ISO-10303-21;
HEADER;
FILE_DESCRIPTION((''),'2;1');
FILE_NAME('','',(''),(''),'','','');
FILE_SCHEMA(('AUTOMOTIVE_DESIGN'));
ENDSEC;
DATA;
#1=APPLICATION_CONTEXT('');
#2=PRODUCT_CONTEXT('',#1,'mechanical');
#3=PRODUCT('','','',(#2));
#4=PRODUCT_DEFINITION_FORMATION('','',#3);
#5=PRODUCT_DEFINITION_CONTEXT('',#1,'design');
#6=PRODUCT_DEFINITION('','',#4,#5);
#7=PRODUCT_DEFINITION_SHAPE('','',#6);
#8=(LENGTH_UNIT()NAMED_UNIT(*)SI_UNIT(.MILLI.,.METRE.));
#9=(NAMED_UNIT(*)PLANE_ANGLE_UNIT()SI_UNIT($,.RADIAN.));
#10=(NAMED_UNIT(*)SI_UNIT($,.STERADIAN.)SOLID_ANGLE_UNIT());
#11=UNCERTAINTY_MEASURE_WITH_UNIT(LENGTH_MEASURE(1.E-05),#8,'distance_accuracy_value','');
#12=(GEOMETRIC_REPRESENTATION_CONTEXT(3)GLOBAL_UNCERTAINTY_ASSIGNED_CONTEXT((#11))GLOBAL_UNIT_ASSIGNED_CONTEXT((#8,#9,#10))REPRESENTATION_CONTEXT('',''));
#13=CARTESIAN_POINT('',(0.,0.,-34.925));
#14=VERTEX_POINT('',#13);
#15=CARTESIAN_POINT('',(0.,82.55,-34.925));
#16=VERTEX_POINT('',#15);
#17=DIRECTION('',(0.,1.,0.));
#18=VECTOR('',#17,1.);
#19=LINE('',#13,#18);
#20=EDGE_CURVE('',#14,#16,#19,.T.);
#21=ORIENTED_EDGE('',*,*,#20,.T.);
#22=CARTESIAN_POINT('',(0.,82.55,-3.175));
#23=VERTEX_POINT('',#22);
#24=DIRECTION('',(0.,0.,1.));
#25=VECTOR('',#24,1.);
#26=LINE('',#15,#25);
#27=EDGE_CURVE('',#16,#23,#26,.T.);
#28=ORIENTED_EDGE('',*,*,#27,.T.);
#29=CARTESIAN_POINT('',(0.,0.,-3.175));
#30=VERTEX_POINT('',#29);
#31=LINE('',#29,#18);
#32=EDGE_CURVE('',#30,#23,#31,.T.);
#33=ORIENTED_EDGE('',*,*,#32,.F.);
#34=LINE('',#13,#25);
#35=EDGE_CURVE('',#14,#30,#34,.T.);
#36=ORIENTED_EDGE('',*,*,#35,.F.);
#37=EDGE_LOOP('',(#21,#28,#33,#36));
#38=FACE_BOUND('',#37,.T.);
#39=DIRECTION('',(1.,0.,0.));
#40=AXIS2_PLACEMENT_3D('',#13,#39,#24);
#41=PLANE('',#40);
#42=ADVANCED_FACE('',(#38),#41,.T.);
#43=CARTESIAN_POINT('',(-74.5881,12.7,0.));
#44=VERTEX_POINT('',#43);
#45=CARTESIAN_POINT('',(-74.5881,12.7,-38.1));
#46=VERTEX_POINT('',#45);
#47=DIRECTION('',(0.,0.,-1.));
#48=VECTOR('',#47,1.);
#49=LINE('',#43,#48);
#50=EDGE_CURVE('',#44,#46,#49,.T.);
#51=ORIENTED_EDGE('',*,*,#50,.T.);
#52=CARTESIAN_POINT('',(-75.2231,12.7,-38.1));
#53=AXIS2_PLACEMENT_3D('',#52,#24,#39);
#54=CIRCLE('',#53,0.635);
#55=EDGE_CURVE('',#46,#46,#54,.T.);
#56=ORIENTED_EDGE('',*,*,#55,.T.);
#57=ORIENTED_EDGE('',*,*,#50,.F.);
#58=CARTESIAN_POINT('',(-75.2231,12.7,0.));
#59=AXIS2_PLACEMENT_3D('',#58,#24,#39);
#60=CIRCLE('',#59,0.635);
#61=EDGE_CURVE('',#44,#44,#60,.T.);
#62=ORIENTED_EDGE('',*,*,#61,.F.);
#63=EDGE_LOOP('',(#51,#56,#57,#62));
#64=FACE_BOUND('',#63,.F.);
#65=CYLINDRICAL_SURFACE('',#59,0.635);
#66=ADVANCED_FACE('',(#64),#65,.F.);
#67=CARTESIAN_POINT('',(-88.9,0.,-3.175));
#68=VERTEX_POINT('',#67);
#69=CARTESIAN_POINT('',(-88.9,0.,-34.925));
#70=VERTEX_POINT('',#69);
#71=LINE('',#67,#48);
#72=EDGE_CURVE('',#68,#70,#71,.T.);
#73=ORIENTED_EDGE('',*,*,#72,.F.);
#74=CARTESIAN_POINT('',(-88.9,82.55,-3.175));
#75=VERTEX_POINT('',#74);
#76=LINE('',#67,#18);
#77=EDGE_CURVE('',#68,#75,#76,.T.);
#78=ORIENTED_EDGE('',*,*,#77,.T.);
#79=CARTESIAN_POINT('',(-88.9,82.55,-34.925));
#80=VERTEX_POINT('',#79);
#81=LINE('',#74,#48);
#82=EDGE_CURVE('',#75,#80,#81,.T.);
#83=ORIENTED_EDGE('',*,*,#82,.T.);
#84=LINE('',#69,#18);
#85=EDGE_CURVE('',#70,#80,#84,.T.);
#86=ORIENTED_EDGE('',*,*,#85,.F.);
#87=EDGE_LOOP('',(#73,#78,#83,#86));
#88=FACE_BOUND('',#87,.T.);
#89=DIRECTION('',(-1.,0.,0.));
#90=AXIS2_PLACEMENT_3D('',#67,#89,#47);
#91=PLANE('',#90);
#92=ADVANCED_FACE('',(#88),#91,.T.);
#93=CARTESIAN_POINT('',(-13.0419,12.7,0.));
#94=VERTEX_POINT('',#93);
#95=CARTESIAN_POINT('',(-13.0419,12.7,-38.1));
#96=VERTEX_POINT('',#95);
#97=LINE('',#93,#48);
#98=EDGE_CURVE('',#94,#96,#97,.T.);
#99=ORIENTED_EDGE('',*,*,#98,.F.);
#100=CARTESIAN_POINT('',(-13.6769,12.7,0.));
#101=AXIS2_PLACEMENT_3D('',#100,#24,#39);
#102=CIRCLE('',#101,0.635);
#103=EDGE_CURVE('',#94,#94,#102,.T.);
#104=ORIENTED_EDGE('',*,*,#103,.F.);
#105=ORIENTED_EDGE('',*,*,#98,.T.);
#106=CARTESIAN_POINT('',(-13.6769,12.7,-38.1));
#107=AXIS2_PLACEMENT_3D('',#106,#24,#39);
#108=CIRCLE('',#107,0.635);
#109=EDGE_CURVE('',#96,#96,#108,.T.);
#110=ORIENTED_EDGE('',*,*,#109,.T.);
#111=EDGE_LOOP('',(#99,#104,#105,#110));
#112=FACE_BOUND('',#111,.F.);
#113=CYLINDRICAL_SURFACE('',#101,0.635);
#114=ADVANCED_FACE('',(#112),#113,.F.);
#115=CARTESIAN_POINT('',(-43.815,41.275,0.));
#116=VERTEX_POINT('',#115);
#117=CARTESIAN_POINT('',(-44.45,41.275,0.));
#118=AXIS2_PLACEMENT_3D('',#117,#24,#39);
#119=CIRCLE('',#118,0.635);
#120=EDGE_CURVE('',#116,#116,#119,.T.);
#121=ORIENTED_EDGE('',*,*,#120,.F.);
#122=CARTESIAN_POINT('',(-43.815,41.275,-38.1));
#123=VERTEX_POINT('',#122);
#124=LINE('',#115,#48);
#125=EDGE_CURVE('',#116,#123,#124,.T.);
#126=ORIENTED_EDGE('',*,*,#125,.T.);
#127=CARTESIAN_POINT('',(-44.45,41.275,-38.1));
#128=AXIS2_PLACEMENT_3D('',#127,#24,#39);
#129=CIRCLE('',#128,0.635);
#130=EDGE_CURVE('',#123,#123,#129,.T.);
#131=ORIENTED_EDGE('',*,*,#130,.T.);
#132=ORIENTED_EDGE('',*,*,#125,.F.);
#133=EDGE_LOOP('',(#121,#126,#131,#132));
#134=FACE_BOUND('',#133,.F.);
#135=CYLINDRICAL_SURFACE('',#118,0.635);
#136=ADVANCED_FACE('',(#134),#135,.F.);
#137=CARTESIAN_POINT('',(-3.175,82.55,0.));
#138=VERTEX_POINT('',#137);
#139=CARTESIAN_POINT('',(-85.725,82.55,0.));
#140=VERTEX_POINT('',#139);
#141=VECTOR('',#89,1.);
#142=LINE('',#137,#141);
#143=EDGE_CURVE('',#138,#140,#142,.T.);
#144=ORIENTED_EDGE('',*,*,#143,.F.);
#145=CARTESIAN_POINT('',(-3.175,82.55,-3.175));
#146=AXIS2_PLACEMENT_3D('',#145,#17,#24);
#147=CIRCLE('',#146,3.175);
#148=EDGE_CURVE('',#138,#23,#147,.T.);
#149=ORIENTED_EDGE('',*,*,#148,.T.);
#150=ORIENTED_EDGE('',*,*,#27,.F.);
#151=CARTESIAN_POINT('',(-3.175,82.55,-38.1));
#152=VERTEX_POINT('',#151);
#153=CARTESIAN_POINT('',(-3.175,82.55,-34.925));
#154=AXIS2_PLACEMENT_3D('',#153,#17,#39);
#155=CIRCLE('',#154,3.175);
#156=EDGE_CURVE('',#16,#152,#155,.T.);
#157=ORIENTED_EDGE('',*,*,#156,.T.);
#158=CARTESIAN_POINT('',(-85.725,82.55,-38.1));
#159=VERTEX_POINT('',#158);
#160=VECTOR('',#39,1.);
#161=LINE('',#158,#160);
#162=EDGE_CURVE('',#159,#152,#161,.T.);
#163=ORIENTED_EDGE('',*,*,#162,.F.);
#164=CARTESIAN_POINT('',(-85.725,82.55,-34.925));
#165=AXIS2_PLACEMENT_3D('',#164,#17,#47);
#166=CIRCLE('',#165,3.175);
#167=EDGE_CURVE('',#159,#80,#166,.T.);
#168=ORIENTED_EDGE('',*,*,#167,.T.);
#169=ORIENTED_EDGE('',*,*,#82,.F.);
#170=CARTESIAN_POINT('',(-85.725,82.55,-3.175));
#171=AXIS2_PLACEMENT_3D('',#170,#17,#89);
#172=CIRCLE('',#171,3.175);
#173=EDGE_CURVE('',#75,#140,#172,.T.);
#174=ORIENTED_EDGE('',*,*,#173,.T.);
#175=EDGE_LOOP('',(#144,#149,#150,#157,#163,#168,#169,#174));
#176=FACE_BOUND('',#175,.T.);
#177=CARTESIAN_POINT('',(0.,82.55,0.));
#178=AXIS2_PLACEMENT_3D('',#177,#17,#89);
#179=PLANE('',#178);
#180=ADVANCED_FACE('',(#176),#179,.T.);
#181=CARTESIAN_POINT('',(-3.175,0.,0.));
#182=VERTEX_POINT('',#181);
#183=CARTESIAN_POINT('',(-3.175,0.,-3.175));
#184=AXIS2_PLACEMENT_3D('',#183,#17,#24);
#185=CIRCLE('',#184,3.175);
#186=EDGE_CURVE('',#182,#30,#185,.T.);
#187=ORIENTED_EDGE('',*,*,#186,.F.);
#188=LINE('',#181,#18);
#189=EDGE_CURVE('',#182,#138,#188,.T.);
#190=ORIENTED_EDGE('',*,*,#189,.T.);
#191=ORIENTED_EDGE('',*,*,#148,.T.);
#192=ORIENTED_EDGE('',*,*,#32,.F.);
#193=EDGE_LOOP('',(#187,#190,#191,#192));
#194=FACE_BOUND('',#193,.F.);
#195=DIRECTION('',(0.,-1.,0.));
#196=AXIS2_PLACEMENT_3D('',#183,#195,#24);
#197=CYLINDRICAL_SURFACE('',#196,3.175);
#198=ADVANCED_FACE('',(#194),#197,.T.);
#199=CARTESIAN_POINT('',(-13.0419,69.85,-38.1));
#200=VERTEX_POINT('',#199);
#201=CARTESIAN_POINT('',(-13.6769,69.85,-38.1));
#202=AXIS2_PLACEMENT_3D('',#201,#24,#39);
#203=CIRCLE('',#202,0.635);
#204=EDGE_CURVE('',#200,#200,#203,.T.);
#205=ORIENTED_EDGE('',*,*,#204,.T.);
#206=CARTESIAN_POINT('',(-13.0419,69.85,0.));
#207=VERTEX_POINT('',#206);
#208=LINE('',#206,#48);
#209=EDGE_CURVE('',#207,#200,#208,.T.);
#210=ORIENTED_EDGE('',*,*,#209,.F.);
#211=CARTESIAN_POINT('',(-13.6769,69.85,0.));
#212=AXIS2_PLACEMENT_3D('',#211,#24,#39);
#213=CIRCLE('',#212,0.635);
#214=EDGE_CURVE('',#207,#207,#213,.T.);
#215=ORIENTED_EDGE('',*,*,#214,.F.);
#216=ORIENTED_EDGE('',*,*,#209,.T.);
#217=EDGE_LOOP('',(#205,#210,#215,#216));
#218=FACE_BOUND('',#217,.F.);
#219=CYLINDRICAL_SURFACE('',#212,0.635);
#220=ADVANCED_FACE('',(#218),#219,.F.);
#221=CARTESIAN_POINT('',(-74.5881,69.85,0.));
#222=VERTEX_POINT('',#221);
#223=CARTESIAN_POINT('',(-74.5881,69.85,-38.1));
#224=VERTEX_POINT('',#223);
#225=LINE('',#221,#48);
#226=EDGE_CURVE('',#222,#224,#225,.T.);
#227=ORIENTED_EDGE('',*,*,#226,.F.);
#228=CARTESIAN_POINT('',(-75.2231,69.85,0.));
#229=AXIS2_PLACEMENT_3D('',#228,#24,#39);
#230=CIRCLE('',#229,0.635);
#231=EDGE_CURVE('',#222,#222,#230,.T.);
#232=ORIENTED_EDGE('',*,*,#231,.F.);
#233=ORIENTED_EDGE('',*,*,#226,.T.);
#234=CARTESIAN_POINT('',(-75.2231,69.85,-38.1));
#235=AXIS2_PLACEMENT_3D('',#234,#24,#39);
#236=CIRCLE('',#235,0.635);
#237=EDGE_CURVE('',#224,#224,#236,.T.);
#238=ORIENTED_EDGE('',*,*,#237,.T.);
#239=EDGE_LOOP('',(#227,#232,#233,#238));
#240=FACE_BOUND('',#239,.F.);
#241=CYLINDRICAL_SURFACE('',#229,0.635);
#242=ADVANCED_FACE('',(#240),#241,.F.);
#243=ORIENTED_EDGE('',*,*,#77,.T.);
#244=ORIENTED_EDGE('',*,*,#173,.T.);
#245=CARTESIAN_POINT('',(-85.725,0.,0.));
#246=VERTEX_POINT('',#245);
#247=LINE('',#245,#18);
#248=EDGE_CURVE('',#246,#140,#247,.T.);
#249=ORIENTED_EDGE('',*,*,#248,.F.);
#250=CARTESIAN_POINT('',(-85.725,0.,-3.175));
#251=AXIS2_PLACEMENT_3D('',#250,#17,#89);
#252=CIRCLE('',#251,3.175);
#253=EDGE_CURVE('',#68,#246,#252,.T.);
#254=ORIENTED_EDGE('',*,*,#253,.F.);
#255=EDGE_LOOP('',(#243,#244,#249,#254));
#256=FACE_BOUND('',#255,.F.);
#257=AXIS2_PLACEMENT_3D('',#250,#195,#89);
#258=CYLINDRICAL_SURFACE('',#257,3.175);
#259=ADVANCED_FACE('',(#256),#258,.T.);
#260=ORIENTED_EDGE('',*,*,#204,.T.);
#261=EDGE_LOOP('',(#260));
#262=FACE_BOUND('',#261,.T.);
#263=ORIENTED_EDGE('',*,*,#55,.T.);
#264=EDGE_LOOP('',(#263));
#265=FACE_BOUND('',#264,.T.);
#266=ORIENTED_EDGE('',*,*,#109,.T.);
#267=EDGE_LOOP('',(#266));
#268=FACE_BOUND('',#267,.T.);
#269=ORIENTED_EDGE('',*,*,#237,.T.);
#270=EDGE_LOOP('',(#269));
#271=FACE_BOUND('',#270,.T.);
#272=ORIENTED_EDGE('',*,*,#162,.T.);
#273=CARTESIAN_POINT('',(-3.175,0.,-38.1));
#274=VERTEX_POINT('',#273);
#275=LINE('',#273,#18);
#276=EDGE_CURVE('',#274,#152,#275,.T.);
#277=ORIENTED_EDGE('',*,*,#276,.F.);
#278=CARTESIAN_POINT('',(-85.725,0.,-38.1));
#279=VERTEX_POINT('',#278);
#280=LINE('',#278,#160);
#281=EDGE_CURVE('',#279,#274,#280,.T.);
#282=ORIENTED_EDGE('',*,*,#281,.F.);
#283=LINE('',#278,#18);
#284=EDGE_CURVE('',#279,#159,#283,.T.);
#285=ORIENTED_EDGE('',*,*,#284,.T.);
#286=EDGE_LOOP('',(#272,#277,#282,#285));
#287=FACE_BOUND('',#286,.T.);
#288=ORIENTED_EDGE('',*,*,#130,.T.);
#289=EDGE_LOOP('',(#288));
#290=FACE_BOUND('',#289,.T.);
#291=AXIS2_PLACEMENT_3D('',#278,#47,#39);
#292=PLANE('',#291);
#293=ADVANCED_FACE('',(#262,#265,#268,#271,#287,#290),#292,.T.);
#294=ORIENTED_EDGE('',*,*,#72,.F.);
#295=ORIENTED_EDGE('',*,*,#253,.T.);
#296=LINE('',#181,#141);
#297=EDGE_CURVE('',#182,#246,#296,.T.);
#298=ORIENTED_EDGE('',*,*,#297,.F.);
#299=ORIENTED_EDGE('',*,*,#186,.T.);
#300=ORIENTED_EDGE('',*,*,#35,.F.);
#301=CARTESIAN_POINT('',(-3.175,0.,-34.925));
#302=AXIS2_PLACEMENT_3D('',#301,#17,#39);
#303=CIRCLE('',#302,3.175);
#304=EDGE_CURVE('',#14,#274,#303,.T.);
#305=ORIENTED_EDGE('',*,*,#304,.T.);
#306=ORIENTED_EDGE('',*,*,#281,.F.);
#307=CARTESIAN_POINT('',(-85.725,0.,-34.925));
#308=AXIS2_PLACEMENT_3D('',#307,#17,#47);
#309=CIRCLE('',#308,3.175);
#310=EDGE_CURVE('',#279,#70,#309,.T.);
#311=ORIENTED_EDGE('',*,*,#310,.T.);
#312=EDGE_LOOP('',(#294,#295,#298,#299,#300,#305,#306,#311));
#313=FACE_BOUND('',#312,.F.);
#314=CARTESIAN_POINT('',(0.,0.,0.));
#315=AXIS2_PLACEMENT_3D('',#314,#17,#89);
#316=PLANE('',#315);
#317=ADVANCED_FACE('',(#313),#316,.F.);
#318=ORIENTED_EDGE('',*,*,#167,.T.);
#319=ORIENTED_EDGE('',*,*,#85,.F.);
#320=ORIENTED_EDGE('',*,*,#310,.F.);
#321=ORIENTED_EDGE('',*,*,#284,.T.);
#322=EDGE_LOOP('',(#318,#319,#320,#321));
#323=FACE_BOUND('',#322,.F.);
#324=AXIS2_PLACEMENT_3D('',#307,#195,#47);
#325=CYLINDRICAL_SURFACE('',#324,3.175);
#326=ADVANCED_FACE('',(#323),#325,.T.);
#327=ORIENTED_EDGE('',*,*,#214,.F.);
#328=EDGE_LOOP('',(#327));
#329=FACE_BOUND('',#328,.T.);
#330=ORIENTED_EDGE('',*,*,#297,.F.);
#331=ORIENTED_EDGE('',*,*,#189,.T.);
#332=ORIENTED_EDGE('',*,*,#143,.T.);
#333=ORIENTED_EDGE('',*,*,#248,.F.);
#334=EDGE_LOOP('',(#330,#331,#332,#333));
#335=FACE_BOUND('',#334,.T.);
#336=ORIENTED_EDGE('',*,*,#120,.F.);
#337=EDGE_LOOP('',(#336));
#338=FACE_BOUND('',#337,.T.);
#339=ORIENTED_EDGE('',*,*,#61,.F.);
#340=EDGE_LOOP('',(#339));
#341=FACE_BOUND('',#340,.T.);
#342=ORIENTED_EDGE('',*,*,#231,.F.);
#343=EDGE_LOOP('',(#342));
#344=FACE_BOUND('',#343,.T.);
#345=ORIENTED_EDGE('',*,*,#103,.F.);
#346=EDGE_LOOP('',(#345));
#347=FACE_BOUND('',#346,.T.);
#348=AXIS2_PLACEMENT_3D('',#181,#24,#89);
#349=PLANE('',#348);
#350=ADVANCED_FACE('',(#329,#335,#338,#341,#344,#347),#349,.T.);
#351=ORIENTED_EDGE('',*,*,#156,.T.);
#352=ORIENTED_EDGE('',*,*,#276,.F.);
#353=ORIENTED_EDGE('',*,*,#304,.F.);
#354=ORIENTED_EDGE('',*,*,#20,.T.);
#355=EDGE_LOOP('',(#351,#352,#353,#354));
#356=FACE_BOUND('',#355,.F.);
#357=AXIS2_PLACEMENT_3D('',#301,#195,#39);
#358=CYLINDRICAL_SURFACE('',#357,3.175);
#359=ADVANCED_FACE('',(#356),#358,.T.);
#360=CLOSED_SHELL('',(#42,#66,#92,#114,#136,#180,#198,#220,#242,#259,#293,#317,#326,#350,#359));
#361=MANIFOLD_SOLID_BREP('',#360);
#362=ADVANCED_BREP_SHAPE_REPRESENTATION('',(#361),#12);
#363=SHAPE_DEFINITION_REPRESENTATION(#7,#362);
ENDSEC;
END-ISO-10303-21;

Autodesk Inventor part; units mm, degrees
ref_plane "YZ Plane" through (0, 0, 0) normal (1, 0, 0) x (0, 1, 0)
ref_plane "XZ Plane" through (0, 0, 0) normal (0, 1, 0) x (-1, 0, 0)
ref_plane "XY Plane" through (0, 0, 0) normal (0, 0, 1) x (1, 0, 0)
sketch "Sketch1" plane through (0, 0, 0) normal (0, 1, 0) x (-1, 0, 0)
  line L0 (3.175, 0) -> (85.725, 0)
  line L1 (88.9, -3.175) -> (88.9, -34.925)
  line L2 (85.725, -38.1) -> (3.175, -38.1)
  line L3 (0, -34.925) -> (0, -3.175)
  arc A0 (88.9, -3.175) -> (85.725, 0) centre (85.725, -3.175) ccw
  arc A1 (85.725, -38.1) -> (88.9, -34.925) centre (85.725, -34.925) ccw
  arc A2 (0, -34.925) -> (3.175, -38.1) centre (3.175, -34.925) ccw
  arc A3 (3.175, 0) -> (0, -3.175) centre (3.175, -3.175) ccw
  point P0 (0, 0)
  point P1 (88.9, -38.1)
  point P2 (88.9, 0)
  point P3 (0, -38.1)
  dimension "d0" = 88.9
  dimension "d1" = 38.1
  dimension "d2" = 3.175
extrude "Extrusion1" add sketch "Sketch1" along normal blind 82.55
sketch "Sketch2" plane through (-3.175, 0, -38.1) normal (0, 0, -1) x (-1, 0, 0)
  line L0 (0, 0) -> (82.55, 0) construction
  line L1 (82.55, 0) -> (82.55, 82.55) construction
  line L2 (0, 82.55) -> (82.55, 82.55) construction
  line L3 (0, 0) -> (0, 82.55) construction
  line L4 (60.325, 82.55) -> (60.325, 61.9125) construction
  line L5 (60.325, 61.9125) -> (60.325, 41.275) construction
  line L6 (60.325, 41.275) -> (60.325, 20.6375) construction
  line L7 (60.325, 20.6375) -> (60.325, 0) construction
  circle A0 centre (60.325, 88.1126) radius 1.5875
  circle A1 centre (60.325, 35.7124) radius 1.5875
  circle A2 centre (60.325, 67.4751) radius 1.5875
  circle A3 centre (60.325, 15.0749) radius 1.5875
  circle A4 centre (60.325, 46.8376) radius 1.5875
  circle A5 centre (60.325, -5.5626) radius 1.5875
  line L8 (85.725, 0) -> (85.725, 82.55) projected
  line L9 (60.325, 61.9125) -> (22.225, 61.9125) construction
  circle A6 centre (22.225, 61.9125) radius 1.5875
  line L10 (60.325, 41.275) -> (22.225, 41.275) construction
  circle A7 centre (22.225, 41.275) radius 1.5875
  line L11 (60.325, 20.6375) -> (22.225, 20.6375) construction
  circle A8 centre (22.225, 20.6375) radius 1.5875
  point P0 (-3.175, 0)
  point P1 (85.725, 41.275)
  dimension "d5" = 3.175
  dimension "d6" = 26.2001
  dimension "d7" = 26.2001
  dimension "d8" = 3.175
  dimension "d9" = 26.2001
  dimension "d10" = 26.2001
  dimension "d11" = 3.175
  dimension "d12" = 26.2001
  dimension "d13" = 26.2001
  dimension "d16" = 25.4
  dimension "d17" = 38.1
  dimension "d18" = 38.1
  dimension "d19" = 38.1
extrude "Extrusion2" [suppressed]
sketch "Sketch3" plane through (-85.725, 0, 0) normal (0, 0, 1) x (1, 0, 0)
  line L0 (0, 0) -> (-3.175, 0) construction
  line L1 (85.725, 82.55) -> (82.55, 82.55) construction
  line L2 (-3.175, 0) -> (85.725, 0) construction
  line L3 (85.725, 0) -> (85.725, 82.55) construction
  line L4 (85.725, 82.55) -> (-3.175, 82.55) construction
  line L5 (-3.175, 82.55) -> (-3.175, 0) construction
  line L6 (-3.175, 82.55) -> (85.725, 82.55) construction
  line L7 (85.725, 82.55) -> (85.725, 0) construction
  line L8 (85.725, 0) -> (-3.175, 0) construction
  line L9 (-3.175, 0) -> (-3.175, 82.55) construction
  line L10 (-3.175, 82.55) -> (85.725, 0) construction
  line L11 (85.725, 82.55) -> (-3.175, 0) construction
  line L12 (0, 82.55) -> (82.55, 82.55) projected
  circle A0 centre (10.5019, 12.7) radius 0.635
  circle A1 centre (10.5019, 69.85) radius 0.635
  circle A2 centre (72.0481, 69.85) radius 0.635
  circle A3 centre (72.0481, 12.7) radius 0.635
  line L13 (72.0481, 12.7) -> (72.0481, 69.85) construction
  line L14 (10.5019, 12.7) -> (10.5019, 69.85) construction
  circle A4 centre (41.275, 41.275) radius 0.635
  dimension "d20" = 1.27
  dimension "d21" = 12.7
extrude "Extrusion3" cut sketch "Sketch3" against normal through all
equation "\"d7\" = d6"
equation "\"d10\" = d9"
equation "\"d13\" = d12"
properties part number "Square" material "Wood (Birch)"
